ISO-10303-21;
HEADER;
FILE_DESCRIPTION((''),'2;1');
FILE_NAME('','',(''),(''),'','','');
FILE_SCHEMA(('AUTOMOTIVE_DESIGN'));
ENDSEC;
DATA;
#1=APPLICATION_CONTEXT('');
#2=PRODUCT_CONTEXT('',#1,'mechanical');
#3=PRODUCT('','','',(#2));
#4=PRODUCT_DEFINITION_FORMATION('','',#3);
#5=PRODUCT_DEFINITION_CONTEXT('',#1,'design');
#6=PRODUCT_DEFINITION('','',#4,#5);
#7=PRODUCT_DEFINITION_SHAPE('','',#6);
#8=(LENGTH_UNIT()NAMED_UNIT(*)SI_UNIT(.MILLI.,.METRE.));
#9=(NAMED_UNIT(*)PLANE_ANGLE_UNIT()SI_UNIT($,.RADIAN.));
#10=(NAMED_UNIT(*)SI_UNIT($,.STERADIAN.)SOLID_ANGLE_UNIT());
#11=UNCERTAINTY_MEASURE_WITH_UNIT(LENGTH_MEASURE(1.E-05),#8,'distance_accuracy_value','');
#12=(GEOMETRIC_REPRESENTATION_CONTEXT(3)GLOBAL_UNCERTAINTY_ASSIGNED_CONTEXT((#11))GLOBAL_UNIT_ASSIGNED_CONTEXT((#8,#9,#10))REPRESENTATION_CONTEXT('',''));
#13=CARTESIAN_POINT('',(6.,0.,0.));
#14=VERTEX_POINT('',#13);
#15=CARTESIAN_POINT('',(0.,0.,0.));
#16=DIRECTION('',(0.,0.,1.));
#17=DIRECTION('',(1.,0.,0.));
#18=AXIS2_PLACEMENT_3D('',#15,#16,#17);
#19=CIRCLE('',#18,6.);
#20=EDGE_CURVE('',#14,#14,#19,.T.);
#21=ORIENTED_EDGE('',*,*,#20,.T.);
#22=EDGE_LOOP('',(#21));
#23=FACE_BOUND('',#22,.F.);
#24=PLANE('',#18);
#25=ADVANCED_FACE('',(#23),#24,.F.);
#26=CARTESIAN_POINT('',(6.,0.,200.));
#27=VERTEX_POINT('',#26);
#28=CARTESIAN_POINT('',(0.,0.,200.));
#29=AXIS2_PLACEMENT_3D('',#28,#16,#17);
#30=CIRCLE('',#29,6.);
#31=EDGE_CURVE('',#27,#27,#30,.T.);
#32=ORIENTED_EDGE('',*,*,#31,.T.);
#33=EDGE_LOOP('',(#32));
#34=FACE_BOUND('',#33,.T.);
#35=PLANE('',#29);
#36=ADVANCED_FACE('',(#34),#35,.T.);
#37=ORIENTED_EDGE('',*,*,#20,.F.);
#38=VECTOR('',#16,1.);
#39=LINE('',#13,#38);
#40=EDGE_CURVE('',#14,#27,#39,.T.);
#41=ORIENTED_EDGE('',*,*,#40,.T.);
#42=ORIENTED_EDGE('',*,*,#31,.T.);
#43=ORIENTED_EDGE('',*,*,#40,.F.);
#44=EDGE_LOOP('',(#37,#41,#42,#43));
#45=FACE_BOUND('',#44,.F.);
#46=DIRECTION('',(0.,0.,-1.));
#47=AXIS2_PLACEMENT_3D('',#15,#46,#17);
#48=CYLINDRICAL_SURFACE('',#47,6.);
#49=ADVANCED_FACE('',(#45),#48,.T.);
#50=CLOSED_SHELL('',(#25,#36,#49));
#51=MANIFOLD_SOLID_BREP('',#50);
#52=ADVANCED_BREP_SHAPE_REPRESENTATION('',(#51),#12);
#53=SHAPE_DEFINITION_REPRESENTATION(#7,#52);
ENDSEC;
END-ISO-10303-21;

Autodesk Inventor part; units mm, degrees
ref_plane "YZ Plane" through (0, 0, 0) normal (1, 0, 0) x (0, 1, 0)
ref_plane "XZ Plane" through (0, 0, 0) normal (0, 1, 0) x (-1, 0, 0)
ref_plane "XY Plane" through (0, 0, 0) normal (0, 0, 1) x (1, 0, 0)
sketch "Esboço1" plane through (0, 0, 0) normal (0, 0, 1) x (1, 0, 0)
  circle A0 centre (0, 0) radius 6
  dimension "d0" = 12
extrude "Extrusão1" add sketch "Esboço1" along normal blind 200
properties part number "GuiaLinear_12x200mm"
